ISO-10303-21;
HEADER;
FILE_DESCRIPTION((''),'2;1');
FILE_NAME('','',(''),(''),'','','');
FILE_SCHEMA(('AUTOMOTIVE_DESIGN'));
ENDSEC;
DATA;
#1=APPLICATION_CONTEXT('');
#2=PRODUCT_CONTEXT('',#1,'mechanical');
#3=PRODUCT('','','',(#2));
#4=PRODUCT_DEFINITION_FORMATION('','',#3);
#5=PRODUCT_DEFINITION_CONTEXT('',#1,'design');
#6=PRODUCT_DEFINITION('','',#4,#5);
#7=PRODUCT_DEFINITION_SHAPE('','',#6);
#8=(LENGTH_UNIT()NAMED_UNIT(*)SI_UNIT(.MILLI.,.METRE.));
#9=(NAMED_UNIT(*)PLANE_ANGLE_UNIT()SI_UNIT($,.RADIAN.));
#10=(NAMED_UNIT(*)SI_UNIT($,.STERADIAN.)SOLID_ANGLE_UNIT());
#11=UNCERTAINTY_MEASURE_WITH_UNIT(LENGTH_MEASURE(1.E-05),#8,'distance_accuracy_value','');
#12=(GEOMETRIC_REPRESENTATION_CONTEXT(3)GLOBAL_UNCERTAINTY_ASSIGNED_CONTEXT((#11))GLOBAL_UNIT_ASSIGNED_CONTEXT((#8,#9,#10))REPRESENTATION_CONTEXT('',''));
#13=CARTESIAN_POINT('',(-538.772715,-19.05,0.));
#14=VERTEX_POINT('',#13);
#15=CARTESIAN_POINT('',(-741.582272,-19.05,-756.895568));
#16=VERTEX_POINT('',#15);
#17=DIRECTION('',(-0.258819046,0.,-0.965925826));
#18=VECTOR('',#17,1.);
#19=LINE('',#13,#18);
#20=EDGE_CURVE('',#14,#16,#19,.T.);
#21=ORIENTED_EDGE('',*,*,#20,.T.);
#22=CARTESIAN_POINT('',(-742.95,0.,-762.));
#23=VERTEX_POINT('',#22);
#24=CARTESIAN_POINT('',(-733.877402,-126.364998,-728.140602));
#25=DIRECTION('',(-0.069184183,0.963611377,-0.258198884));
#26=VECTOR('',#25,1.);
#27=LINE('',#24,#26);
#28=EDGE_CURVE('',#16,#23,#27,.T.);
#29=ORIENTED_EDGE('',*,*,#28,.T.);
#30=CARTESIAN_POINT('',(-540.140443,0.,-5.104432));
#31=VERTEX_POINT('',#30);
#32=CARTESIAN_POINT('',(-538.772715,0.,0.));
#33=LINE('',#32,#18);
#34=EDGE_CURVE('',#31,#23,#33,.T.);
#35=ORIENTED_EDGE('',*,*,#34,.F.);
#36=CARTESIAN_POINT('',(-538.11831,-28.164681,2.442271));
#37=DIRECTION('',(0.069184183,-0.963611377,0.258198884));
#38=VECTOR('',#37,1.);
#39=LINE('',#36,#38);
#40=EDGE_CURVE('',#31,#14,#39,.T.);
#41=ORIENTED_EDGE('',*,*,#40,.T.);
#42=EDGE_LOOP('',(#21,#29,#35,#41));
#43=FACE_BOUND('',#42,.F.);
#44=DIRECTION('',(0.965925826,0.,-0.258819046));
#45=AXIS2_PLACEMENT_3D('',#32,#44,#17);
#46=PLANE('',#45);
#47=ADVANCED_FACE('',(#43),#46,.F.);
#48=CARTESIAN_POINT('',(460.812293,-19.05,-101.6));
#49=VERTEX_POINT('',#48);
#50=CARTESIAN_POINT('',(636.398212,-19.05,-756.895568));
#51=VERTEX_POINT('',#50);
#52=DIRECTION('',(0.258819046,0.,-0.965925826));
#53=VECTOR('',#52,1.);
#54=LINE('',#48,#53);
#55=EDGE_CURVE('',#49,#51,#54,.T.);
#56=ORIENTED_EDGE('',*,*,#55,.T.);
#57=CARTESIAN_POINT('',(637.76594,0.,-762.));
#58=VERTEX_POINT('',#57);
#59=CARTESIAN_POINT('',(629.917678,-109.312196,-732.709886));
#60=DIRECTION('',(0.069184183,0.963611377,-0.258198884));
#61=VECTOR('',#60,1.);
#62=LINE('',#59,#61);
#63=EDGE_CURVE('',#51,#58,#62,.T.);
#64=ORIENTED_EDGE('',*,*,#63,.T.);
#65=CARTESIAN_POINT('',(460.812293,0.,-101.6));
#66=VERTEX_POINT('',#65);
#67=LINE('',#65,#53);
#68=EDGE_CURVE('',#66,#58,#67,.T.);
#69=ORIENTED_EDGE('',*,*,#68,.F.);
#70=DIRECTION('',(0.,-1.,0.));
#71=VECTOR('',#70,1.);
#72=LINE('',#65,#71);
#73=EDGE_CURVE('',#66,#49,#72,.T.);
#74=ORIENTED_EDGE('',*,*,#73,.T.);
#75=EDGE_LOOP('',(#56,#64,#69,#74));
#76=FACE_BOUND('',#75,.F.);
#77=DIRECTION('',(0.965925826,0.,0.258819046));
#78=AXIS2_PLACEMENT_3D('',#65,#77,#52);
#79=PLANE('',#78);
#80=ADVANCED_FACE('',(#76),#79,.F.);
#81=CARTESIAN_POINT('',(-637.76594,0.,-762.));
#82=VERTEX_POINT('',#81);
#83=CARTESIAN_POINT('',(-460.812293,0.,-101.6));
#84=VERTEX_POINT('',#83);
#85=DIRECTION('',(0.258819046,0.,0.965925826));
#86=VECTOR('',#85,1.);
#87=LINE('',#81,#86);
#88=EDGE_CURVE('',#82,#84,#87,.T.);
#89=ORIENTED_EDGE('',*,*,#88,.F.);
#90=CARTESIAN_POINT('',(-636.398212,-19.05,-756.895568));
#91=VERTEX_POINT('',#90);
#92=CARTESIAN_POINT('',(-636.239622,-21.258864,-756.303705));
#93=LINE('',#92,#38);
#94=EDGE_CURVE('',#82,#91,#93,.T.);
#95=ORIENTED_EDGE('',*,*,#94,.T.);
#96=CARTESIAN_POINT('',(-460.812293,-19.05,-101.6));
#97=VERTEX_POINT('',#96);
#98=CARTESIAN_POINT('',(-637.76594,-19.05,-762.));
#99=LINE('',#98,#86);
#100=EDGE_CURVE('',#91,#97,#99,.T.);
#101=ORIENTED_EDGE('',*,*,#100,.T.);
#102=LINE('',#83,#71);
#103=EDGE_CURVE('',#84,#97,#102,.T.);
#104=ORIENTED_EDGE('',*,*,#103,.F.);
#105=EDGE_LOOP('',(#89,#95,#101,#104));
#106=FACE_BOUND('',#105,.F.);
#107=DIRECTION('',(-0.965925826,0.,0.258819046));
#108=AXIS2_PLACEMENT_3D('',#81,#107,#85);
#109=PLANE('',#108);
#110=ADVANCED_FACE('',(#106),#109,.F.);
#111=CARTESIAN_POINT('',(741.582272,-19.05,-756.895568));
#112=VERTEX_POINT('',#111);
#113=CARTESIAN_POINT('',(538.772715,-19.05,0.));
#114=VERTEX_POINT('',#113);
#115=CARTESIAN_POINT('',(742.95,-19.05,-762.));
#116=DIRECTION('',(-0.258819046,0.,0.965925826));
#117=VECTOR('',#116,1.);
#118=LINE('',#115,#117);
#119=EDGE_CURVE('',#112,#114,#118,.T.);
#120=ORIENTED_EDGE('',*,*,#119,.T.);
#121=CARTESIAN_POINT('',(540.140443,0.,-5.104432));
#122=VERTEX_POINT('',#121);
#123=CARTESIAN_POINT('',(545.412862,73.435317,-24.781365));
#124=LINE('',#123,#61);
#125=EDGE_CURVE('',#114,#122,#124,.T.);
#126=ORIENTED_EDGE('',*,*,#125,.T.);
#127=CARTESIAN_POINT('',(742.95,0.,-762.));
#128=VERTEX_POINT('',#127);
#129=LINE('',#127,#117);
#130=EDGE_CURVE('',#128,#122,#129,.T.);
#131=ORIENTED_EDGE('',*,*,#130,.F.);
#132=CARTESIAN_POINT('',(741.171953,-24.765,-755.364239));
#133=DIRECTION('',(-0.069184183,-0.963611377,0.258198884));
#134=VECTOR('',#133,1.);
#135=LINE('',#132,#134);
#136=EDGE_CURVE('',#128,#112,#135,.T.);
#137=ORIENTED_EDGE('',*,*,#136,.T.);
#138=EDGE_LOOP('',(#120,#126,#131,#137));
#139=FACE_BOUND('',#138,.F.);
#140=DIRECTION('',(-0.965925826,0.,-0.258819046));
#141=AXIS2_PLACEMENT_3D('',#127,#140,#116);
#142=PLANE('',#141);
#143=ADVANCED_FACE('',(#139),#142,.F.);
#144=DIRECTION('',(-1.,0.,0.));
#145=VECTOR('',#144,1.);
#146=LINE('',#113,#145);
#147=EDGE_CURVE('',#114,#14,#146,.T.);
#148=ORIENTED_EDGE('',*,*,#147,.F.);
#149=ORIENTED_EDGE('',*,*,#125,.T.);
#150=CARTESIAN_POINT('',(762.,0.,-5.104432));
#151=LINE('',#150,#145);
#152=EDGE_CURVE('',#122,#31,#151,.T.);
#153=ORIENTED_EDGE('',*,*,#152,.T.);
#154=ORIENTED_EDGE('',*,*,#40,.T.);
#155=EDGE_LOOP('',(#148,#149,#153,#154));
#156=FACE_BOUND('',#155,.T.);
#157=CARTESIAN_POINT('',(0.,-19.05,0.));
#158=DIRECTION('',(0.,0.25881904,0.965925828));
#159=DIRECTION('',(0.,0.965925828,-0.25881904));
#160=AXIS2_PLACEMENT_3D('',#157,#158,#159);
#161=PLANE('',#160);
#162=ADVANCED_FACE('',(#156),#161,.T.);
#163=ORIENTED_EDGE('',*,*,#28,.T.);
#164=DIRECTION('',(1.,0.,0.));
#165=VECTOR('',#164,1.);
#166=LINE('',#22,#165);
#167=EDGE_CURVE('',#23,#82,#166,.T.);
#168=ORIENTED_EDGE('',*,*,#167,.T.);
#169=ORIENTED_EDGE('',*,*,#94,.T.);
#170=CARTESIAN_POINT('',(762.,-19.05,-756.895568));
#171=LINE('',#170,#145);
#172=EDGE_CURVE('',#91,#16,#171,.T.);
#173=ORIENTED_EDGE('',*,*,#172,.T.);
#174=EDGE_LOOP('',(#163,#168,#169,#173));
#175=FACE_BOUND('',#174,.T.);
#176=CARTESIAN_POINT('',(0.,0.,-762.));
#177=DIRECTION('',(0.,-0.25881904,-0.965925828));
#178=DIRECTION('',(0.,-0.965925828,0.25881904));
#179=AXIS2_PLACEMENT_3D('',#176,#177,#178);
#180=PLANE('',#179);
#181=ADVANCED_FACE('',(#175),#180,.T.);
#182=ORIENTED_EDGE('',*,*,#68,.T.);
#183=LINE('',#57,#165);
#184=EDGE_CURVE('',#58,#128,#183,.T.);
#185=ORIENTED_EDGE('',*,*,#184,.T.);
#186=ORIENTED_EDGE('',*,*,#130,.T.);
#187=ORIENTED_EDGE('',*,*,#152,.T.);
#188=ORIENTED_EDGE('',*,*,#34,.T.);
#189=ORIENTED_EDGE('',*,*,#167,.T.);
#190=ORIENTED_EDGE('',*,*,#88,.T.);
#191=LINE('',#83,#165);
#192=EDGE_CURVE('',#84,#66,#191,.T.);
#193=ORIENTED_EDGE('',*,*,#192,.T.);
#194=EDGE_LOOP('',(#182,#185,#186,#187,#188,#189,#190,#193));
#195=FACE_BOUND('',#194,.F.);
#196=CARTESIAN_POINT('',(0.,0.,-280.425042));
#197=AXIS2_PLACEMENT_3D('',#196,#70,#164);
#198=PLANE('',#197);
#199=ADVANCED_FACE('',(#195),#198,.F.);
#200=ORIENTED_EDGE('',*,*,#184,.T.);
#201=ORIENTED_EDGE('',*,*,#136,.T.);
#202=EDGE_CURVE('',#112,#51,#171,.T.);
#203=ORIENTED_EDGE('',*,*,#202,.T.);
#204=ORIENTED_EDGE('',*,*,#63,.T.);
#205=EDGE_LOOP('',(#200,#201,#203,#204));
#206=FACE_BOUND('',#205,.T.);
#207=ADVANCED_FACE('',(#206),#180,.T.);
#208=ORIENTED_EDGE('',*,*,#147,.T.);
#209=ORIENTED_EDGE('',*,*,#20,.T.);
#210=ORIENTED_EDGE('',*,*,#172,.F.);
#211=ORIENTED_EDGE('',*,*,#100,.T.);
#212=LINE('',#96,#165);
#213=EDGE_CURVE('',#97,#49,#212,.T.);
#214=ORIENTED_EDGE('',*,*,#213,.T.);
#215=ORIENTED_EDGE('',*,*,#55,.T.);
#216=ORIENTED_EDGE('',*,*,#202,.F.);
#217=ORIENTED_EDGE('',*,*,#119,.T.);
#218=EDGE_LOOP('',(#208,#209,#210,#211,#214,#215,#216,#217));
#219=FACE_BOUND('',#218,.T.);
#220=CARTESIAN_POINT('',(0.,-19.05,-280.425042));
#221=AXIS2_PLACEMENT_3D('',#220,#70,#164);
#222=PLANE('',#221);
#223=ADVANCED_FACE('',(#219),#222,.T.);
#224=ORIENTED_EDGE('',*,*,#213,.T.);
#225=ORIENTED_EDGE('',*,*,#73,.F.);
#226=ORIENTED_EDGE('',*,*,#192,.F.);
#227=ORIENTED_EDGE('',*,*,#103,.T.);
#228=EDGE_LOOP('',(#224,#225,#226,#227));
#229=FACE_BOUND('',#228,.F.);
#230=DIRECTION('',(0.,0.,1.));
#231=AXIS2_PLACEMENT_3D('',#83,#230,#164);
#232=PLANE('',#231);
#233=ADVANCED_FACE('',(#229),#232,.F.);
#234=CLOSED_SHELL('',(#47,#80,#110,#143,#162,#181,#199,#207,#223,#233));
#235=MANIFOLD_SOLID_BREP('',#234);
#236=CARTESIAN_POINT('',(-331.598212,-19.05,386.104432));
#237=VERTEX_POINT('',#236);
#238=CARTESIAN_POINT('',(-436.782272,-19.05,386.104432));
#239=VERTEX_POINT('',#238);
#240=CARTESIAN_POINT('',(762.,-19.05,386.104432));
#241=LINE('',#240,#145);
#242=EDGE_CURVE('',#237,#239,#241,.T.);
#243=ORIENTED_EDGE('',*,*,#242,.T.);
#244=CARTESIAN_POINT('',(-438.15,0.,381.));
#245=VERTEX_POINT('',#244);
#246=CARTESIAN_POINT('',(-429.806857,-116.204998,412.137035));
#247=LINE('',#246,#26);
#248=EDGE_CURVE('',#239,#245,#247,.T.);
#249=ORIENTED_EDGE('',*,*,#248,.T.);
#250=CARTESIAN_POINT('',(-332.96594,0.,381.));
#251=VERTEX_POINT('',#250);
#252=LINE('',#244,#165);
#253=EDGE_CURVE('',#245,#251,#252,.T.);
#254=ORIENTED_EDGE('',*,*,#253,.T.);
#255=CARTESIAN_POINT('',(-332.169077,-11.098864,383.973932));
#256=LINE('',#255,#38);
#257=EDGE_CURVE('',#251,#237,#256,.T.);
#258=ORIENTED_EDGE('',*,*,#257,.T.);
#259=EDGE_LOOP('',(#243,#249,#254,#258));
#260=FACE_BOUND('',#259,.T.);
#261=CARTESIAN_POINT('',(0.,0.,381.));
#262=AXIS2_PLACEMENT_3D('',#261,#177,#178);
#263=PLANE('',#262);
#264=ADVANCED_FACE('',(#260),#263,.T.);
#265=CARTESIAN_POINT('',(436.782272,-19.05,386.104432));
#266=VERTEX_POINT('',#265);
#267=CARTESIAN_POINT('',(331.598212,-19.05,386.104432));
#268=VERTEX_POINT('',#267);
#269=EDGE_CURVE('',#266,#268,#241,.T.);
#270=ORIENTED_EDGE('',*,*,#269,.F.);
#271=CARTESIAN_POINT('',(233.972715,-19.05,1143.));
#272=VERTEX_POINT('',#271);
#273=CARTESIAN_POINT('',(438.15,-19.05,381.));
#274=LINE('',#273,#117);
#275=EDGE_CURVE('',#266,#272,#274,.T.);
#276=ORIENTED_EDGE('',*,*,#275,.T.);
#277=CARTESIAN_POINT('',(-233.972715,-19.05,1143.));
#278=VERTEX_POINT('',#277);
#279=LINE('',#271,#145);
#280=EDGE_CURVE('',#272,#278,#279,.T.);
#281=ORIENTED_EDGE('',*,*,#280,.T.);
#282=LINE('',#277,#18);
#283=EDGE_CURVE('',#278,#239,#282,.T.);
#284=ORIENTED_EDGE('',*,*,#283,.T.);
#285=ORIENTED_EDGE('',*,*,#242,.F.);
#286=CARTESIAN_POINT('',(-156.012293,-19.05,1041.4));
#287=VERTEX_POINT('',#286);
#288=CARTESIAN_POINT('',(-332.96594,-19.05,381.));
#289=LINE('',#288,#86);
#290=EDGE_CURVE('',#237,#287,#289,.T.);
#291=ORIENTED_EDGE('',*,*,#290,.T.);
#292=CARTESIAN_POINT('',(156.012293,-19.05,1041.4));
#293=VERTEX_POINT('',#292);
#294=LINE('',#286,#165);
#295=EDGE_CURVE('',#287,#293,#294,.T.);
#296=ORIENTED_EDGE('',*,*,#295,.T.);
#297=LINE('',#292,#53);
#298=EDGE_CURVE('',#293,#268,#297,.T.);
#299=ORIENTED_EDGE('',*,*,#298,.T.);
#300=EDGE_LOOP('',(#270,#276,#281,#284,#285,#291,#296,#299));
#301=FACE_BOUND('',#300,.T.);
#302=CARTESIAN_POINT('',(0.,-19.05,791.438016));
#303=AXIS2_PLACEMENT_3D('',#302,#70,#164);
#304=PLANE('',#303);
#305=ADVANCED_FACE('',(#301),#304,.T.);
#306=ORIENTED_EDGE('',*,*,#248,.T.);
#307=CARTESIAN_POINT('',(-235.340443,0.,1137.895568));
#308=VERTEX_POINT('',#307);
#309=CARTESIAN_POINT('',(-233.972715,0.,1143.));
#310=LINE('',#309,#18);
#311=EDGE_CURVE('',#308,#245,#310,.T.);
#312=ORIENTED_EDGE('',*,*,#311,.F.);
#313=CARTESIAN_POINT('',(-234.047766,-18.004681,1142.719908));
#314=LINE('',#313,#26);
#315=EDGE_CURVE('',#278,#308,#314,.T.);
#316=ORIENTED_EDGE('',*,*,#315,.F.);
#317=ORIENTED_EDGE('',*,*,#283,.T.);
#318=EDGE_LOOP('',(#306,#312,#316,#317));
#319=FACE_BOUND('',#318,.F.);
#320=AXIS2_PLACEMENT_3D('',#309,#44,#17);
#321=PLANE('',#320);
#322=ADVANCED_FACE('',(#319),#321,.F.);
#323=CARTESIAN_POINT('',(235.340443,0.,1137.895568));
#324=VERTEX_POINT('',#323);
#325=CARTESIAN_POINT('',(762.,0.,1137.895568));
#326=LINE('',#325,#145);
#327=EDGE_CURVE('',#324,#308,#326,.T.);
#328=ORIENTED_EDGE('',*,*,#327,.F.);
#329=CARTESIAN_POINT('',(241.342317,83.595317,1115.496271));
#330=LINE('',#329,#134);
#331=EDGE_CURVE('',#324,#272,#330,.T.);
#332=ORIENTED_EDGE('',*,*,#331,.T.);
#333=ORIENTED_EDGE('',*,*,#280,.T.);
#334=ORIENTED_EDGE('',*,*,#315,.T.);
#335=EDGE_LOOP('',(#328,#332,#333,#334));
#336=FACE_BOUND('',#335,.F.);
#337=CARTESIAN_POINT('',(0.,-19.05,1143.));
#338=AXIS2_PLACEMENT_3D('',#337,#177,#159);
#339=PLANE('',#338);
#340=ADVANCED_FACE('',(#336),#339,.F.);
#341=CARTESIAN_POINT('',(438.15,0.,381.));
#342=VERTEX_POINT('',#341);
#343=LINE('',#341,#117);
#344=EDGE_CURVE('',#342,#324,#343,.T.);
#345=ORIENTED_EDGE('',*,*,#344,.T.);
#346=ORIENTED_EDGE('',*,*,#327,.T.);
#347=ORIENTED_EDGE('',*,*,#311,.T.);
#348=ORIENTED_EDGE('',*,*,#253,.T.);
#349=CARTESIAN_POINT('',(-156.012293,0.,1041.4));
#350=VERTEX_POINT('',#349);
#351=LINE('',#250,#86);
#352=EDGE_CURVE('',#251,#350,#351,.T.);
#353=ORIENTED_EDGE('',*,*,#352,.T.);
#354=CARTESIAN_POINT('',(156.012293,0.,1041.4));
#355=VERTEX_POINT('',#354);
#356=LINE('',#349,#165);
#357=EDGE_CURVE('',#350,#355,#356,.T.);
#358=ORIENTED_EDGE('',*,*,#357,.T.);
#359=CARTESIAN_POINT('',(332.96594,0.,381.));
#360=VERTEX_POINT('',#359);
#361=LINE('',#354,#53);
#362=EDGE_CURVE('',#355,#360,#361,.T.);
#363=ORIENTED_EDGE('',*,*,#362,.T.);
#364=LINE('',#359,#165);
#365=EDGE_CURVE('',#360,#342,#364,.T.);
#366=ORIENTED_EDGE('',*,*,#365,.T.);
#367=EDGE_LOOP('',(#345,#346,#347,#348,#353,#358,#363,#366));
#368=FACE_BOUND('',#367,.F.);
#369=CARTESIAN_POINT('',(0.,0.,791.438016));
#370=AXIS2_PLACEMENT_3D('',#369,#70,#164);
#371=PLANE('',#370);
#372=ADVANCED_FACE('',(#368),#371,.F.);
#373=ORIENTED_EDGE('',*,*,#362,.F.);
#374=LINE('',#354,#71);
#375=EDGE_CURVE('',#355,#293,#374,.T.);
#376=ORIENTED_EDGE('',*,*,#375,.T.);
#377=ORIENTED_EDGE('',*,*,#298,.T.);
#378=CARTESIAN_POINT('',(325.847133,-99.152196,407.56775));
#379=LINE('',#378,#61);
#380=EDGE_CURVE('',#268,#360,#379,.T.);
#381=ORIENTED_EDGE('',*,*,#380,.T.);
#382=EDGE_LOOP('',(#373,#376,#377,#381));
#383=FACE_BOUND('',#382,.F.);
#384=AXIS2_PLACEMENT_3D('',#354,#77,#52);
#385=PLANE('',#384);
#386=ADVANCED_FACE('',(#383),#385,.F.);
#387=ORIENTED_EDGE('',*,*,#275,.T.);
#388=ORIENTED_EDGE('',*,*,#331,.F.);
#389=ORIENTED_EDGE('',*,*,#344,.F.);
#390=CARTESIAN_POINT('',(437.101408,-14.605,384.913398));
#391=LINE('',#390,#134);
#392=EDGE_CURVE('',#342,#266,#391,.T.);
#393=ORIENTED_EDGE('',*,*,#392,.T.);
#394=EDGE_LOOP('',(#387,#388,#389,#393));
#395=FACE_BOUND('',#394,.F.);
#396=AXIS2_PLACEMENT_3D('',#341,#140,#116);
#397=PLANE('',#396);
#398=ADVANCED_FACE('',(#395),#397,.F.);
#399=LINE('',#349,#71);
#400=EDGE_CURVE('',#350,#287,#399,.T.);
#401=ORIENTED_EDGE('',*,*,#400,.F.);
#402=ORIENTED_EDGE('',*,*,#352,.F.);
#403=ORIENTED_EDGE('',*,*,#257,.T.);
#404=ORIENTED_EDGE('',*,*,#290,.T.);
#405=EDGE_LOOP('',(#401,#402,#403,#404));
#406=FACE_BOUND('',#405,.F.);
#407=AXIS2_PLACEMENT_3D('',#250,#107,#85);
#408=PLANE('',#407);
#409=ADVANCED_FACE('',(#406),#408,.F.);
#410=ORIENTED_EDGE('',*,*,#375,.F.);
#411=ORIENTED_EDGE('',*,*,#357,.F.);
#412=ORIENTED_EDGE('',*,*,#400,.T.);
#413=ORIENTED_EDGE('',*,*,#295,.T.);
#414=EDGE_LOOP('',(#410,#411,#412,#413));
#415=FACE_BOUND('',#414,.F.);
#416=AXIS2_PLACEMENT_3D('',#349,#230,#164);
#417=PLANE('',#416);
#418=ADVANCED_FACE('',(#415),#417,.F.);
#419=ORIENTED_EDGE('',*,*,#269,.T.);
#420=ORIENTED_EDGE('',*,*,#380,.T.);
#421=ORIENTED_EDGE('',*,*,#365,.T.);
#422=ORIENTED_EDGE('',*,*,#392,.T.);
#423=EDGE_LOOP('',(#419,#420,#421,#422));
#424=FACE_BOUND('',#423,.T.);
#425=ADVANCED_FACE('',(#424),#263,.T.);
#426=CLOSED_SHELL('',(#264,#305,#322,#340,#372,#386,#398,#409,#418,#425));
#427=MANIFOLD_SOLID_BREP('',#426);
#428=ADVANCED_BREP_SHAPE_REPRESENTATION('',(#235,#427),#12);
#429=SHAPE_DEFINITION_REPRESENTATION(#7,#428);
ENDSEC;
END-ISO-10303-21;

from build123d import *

# Parameters (mm, degrees)
F1_DEPTH = 19.05
F3_DEPTH = 19.05
F5_DEPTH = 762


with BuildPart() as f1:
    # F0 (on Front) → F1 (new body)
    with BuildSketch(Plane.XZ):
        Polygon((-538.772715, 0), (-742.95, -762), (-637.76594, -762), (-460.812293, -101.6), (0, -101.6), (460.812293, -101.6), (637.76594, -762), (742.95, -762), (538.772715, 0), (0, 0), align=None)
    extrude(amount=F1_DEPTH)


with BuildPart() as f3:
    # F2 (on Front) → F3 (new body)
    with BuildSketch(Plane.XZ):
        Polygon((-156.012293, 1041.4), (0, 1041.4), (156.012293, 1041.4), (332.96594, 381), (438.15, 381), (233.972715, 1143), (0, 1143), (-233.972715, 1143), (-438.15, 381), (-332.96594, 381), align=None)
    extrude(amount=F3_DEPTH)


with BuildPart() as f5_tool:
    # F4 (on Right) → F5 (new body, symmetric)
    with BuildSketch(Plane.YZ):
        Polygon((-19.05, -756.895568), (-19.05, -762), (0, -762), align=None)
        Polygon((0, -5.104432), (0, 0), (-19.05, 0), align=None)
        Polygon((-19.05, 381), (0, 381), (-19.05, 386.104432), align=None)
        Polygon((0, 1143), (-19.05, 1143), (0, 1137.895568), align=None)
    extrude(amount=F5_DEPTH, both=True)


with BuildPart() as f1_1:
    add(f1.part)

    # F5: cut by f5_tool
    add(f5_tool.part, mode=Mode.SUBTRACT)


with BuildPart() as f3_1:
    add(f3.part)

    # F5: cut by f5_tool
    add(f5_tool.part, mode=Mode.SUBTRACT)


solid = Compound([f1_1.part, f3_1.part])
